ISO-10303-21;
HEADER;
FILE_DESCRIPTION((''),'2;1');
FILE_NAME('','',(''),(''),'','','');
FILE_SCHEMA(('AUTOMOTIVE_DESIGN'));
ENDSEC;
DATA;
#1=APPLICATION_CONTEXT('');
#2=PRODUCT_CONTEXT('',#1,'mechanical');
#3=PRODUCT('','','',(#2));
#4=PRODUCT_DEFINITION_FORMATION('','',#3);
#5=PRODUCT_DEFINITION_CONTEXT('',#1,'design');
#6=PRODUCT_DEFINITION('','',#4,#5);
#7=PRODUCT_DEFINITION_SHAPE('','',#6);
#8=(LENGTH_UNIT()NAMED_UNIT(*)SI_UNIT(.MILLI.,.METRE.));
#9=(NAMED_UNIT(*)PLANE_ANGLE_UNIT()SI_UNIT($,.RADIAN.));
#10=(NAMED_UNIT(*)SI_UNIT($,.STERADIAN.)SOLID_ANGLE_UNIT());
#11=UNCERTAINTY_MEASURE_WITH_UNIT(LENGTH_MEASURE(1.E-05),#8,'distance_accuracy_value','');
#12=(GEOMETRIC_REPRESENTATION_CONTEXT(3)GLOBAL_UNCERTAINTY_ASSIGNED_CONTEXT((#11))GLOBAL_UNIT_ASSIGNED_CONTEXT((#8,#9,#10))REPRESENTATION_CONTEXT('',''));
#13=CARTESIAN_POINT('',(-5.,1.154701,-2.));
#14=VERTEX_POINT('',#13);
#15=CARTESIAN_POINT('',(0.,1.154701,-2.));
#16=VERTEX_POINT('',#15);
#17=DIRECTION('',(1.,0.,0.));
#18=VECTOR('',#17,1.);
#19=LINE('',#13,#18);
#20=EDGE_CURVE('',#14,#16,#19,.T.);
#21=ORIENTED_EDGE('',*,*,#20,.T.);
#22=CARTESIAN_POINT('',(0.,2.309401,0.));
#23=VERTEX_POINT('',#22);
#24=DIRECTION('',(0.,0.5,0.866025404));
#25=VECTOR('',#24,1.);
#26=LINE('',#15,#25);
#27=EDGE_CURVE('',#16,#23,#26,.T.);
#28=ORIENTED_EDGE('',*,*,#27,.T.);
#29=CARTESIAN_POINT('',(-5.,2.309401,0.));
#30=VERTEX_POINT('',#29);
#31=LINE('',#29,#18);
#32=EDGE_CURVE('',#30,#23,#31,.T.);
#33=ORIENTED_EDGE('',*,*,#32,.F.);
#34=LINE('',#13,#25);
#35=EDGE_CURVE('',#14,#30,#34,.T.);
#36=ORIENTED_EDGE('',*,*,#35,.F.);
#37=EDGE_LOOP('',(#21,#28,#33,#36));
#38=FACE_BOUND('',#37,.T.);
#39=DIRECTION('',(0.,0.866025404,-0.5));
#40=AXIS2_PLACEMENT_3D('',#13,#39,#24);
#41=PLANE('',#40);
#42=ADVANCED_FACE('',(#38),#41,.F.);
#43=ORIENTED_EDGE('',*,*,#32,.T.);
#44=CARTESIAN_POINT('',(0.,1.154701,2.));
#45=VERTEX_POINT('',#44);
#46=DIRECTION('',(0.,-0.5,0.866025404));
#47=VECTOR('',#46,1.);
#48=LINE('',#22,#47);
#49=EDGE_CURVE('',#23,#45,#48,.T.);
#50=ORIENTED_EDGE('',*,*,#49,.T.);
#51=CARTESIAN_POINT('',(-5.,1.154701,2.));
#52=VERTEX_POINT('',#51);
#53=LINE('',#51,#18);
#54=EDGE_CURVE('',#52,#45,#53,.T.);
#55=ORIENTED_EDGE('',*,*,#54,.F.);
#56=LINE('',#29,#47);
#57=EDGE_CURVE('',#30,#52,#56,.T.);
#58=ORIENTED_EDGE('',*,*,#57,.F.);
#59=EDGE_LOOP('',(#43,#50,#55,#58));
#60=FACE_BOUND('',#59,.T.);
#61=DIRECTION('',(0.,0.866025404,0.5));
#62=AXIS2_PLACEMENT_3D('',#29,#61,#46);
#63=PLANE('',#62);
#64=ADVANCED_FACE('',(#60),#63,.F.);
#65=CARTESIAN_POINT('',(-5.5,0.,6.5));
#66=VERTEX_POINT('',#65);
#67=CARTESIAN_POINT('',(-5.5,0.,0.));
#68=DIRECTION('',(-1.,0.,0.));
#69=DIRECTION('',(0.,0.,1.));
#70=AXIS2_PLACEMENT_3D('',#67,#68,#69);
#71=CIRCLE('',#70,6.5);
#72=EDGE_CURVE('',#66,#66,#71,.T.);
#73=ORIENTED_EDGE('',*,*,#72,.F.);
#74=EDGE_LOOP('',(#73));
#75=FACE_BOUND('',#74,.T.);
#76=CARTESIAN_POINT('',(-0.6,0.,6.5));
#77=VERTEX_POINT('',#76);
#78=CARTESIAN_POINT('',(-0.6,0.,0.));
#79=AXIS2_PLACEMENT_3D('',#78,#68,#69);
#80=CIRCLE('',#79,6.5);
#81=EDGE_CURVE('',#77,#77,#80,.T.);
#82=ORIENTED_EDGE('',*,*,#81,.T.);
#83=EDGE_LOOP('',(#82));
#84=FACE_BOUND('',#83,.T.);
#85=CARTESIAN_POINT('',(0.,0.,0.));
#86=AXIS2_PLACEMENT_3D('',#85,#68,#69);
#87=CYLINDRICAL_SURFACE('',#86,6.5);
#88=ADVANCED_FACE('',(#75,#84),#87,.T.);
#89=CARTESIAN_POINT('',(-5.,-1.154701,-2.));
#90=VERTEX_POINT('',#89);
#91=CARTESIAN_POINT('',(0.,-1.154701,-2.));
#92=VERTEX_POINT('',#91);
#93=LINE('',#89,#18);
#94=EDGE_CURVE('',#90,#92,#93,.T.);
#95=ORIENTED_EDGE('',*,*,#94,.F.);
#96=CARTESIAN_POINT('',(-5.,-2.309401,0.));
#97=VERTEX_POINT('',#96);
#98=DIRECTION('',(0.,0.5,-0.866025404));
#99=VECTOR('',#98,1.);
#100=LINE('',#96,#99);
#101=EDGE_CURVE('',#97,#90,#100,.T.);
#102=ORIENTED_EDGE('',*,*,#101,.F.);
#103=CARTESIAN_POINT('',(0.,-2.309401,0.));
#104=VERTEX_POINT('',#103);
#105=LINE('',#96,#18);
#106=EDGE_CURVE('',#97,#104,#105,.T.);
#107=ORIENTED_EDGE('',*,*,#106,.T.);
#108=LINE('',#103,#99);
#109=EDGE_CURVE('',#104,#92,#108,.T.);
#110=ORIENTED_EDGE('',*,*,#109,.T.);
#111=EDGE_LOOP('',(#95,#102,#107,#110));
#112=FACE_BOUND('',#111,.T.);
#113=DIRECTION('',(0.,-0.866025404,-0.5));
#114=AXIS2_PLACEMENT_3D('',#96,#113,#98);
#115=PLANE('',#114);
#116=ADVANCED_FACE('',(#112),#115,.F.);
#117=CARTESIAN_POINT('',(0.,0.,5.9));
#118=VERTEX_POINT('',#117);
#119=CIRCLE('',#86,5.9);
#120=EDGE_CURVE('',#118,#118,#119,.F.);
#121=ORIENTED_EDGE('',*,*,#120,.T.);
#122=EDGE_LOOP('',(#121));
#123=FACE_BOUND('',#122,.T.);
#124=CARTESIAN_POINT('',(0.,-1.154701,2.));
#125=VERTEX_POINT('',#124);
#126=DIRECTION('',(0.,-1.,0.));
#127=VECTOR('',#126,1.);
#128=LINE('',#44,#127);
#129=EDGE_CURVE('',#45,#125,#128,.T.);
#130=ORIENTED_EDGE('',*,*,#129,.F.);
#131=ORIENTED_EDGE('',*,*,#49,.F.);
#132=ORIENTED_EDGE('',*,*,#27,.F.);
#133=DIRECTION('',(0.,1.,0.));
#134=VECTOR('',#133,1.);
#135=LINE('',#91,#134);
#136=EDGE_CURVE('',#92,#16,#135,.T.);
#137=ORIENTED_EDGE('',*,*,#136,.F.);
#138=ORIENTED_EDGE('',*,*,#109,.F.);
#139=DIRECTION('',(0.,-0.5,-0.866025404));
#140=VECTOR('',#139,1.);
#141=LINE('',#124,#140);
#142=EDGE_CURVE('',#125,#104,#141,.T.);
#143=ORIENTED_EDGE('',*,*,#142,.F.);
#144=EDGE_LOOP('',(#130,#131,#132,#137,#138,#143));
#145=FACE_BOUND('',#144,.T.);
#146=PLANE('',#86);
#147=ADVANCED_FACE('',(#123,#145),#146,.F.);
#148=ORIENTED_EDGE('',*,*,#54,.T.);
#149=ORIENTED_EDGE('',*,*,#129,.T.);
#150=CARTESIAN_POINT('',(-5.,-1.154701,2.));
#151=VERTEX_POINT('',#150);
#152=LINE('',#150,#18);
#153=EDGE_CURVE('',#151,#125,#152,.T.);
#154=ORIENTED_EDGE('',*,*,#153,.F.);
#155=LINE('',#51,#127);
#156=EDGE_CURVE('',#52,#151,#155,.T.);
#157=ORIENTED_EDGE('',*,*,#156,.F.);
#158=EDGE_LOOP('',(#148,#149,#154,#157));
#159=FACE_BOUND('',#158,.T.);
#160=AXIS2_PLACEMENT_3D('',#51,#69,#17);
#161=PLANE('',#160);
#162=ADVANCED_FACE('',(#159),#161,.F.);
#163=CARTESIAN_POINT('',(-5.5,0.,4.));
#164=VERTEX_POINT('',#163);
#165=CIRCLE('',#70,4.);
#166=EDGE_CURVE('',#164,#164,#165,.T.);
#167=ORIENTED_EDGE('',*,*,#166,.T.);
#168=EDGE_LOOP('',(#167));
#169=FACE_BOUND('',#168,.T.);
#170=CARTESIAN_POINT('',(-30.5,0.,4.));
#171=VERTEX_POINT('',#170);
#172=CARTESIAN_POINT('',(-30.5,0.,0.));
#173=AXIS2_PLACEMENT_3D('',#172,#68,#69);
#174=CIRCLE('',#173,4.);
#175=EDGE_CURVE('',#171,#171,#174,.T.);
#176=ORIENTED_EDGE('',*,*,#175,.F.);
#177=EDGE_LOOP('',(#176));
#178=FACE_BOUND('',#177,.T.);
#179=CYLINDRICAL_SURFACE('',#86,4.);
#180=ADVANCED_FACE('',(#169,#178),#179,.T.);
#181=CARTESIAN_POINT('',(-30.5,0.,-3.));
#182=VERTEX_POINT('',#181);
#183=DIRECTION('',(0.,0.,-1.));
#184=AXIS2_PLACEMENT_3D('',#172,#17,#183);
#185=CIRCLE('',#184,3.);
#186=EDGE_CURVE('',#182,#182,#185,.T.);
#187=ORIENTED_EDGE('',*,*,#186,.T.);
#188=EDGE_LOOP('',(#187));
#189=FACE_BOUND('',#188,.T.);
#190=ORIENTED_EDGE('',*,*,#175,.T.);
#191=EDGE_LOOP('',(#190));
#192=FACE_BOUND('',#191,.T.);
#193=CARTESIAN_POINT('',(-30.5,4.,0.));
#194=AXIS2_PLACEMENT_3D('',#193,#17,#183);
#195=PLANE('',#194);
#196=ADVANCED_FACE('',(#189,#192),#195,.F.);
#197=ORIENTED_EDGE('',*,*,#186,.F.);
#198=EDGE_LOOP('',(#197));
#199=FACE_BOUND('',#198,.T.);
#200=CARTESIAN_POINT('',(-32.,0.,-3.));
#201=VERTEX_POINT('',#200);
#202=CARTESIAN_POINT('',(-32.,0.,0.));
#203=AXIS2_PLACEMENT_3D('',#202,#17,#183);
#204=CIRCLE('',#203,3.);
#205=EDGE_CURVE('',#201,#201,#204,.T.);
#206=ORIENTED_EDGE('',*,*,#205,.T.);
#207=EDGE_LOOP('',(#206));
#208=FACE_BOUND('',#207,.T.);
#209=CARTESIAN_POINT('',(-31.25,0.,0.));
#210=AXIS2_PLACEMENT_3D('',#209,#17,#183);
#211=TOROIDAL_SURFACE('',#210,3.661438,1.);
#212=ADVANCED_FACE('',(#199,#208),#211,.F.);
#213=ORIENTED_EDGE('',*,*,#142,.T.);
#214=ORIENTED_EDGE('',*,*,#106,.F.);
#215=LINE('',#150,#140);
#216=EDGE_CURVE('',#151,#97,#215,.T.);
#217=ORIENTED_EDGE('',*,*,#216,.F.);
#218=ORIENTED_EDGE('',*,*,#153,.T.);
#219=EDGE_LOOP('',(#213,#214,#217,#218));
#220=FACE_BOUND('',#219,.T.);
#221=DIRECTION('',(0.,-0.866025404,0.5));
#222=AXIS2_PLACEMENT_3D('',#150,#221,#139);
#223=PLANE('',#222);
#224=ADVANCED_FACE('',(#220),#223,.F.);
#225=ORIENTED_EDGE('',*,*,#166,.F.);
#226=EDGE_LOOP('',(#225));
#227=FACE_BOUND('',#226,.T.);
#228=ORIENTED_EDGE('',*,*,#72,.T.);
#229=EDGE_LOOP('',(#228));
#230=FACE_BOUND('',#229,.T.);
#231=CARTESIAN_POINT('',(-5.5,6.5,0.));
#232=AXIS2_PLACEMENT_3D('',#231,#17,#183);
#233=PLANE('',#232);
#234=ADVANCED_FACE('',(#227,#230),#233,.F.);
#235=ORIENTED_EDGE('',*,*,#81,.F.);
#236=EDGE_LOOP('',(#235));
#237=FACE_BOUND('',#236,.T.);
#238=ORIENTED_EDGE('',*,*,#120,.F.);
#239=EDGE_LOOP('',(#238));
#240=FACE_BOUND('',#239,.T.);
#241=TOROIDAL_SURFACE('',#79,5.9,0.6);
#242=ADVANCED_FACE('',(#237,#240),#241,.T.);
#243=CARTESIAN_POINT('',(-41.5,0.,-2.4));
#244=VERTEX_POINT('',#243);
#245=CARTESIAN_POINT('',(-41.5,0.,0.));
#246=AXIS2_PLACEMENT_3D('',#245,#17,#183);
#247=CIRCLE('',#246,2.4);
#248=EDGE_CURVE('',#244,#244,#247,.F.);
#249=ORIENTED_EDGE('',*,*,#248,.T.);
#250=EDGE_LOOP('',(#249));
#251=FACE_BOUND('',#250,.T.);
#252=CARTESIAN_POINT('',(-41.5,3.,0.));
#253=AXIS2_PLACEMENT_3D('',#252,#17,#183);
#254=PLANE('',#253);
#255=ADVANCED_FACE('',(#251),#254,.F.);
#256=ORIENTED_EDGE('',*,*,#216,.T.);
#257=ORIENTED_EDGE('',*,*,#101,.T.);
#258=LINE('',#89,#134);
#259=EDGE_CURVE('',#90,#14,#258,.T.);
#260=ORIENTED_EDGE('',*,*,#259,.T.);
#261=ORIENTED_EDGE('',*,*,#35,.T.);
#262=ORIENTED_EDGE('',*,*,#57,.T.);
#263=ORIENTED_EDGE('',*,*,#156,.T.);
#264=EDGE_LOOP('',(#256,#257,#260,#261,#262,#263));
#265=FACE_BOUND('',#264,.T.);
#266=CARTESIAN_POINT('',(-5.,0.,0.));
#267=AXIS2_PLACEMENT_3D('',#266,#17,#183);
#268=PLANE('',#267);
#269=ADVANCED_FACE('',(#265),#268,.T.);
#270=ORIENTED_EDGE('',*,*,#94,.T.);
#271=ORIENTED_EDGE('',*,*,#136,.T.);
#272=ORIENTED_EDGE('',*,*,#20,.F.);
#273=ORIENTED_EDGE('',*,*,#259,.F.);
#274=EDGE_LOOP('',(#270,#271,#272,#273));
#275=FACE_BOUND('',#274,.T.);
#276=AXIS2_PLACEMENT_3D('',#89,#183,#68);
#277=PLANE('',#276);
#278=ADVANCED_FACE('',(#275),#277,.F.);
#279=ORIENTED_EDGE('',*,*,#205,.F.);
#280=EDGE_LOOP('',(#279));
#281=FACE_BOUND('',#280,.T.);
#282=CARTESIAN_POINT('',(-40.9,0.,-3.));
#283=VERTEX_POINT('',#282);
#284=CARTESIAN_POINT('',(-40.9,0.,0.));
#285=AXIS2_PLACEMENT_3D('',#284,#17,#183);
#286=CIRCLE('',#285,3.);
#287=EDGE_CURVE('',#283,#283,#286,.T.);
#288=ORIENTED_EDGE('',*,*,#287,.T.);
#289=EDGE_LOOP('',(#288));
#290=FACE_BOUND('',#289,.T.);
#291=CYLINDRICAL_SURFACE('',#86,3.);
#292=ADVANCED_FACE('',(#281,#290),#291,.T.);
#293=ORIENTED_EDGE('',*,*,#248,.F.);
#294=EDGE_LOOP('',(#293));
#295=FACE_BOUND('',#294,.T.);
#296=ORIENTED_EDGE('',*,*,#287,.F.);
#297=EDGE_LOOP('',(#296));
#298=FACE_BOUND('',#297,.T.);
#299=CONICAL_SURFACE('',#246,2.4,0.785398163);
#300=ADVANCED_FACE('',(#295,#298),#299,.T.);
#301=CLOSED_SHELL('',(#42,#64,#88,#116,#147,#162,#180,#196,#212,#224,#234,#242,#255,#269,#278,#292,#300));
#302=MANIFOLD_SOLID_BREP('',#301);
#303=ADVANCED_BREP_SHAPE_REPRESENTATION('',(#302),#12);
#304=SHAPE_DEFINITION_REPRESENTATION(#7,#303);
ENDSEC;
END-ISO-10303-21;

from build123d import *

# Parameters (mm, degrees)
ZAOKR_GLENIE1_R            = 0.6
SFAZOWANIE1_SIZE           = 0.6
WYTNIJ_WYCI_GNI_CIE1_DEPTH = 5


with BuildPart() as part:
    # ruba parametryczna → Obrót1 (revolve)
    with BuildSketch(Plane.XY):
        Polygon((0, 0), (0, 6.5), (-5.5, 6.5), (-5.5, 4), (-30.5, 4), (-30.5, 3), (-41.5, 3), (-41.5, 0), align=None)
    revolve(axis=Axis((0, 0, 0), (1, 0, 0)))

    # Zaokrąglenie1
    zaokr_glenie1_edges = [part.edges().sort_by_distance(p)[0] for p in [
        (0, -6.5, 0),
    ]]
    fillet(zaokr_glenie1_edges, radius=ZAOKR_GLENIE1_R)

    # Sfazowanie1
    sfazowanie1_edges = [part.edges().sort_by_distance(p)[0] for p in [
        (-41.5, -3, 0),
    ]]
    chamfer(sfazowanie1_edges, length=SFAZOWANIE1_SIZE)

    # Szkic2 → Wytnij-wyciągnięcie1 (cut)
    with BuildSketch(Plane(origin=(0, 0, 0), x_dir=(0, 0, -1), z_dir=(1, 0, 0))):
        Polygon((-2, -1.154700538), (0, -2.309401077), (2, -1.154700538), (2, 1.154700538), (0, 2.309401077), (-2, 1.154700538), align=None)
    extrude(amount=-WYTNIJ_WYCI_GNI_CIE1_DEPTH, mode=Mode.SUBTRACT)

    # Szkic3 → Wycięcie-obrót1 (revolve, cut)
    with BuildSketch(Plane(origin=(0, 0, 0), x_dir=(1, 0, 0), z_dir=(0, 1, 0))):
        with BuildLine():
            Line((-32, -3), (-30.5, -3))
            ThreePointArc((-30.5, -3), (-31.25, -2.661437828), (-32, -3))
        make_face()
    revolve(axis=Axis((3.805158027, 0, 0), (-1, 0, 0)), mode=Mode.SUBTRACT)


solid = part.part
